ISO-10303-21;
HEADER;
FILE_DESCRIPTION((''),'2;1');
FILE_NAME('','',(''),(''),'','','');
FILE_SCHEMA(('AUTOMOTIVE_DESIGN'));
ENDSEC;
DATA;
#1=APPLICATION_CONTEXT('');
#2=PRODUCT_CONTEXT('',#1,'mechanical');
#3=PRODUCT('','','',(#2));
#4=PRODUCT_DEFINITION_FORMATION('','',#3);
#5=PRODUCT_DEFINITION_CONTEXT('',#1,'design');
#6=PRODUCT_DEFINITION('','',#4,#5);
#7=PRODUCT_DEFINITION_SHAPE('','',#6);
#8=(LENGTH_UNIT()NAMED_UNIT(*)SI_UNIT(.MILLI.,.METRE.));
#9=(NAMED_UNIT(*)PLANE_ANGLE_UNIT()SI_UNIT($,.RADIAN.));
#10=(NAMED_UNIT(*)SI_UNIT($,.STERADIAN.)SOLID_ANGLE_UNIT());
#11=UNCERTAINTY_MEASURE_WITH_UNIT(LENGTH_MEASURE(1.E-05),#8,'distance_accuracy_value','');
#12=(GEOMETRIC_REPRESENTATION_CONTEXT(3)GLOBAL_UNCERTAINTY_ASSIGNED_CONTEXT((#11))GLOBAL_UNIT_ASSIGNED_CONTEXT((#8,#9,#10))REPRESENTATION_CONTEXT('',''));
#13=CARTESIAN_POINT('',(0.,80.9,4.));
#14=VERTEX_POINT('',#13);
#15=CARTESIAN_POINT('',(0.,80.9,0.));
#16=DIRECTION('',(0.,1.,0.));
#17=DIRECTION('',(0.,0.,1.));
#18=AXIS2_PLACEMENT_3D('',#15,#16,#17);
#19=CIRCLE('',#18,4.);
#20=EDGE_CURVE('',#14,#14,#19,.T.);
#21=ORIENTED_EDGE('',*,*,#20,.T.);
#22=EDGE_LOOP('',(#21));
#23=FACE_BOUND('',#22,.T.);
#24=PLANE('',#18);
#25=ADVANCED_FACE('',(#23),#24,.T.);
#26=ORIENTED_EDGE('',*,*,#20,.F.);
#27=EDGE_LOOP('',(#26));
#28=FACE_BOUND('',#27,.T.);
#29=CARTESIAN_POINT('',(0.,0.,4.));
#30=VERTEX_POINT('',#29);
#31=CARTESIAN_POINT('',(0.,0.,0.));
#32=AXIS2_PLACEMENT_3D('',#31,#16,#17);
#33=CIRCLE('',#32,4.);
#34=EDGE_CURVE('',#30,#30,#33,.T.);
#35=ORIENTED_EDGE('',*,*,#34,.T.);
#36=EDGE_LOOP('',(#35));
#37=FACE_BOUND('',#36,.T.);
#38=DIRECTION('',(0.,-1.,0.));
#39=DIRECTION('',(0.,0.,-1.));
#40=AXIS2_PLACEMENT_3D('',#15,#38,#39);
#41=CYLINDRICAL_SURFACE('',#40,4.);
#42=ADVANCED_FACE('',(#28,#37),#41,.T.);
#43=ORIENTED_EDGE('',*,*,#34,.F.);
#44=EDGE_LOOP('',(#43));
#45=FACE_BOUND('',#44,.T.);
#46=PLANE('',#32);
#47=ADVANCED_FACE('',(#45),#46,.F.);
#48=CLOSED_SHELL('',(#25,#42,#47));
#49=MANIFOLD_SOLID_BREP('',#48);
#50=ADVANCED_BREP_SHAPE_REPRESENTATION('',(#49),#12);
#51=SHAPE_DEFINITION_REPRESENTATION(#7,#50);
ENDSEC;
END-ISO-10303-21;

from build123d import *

# Parameters (mm, degrees)
CROQUIS1_R              = 4
SALIENTE_EXTRUIR1_DEPTH = 80.9


with BuildPart() as part:
    # Croquis1 → Saliente-Extruir1 (new body)
    with BuildSketch(Plane(origin=(0, 0, 0), x_dir=(1, 0, 0), z_dir=(0, 1, 0))):
        with Locations(Location((0, 0, 0), (0, 0, 270))):
            Circle(CROQUIS1_R)
    extrude(amount=SALIENTE_EXTRUIR1_DEPTH)


solid = part.part
